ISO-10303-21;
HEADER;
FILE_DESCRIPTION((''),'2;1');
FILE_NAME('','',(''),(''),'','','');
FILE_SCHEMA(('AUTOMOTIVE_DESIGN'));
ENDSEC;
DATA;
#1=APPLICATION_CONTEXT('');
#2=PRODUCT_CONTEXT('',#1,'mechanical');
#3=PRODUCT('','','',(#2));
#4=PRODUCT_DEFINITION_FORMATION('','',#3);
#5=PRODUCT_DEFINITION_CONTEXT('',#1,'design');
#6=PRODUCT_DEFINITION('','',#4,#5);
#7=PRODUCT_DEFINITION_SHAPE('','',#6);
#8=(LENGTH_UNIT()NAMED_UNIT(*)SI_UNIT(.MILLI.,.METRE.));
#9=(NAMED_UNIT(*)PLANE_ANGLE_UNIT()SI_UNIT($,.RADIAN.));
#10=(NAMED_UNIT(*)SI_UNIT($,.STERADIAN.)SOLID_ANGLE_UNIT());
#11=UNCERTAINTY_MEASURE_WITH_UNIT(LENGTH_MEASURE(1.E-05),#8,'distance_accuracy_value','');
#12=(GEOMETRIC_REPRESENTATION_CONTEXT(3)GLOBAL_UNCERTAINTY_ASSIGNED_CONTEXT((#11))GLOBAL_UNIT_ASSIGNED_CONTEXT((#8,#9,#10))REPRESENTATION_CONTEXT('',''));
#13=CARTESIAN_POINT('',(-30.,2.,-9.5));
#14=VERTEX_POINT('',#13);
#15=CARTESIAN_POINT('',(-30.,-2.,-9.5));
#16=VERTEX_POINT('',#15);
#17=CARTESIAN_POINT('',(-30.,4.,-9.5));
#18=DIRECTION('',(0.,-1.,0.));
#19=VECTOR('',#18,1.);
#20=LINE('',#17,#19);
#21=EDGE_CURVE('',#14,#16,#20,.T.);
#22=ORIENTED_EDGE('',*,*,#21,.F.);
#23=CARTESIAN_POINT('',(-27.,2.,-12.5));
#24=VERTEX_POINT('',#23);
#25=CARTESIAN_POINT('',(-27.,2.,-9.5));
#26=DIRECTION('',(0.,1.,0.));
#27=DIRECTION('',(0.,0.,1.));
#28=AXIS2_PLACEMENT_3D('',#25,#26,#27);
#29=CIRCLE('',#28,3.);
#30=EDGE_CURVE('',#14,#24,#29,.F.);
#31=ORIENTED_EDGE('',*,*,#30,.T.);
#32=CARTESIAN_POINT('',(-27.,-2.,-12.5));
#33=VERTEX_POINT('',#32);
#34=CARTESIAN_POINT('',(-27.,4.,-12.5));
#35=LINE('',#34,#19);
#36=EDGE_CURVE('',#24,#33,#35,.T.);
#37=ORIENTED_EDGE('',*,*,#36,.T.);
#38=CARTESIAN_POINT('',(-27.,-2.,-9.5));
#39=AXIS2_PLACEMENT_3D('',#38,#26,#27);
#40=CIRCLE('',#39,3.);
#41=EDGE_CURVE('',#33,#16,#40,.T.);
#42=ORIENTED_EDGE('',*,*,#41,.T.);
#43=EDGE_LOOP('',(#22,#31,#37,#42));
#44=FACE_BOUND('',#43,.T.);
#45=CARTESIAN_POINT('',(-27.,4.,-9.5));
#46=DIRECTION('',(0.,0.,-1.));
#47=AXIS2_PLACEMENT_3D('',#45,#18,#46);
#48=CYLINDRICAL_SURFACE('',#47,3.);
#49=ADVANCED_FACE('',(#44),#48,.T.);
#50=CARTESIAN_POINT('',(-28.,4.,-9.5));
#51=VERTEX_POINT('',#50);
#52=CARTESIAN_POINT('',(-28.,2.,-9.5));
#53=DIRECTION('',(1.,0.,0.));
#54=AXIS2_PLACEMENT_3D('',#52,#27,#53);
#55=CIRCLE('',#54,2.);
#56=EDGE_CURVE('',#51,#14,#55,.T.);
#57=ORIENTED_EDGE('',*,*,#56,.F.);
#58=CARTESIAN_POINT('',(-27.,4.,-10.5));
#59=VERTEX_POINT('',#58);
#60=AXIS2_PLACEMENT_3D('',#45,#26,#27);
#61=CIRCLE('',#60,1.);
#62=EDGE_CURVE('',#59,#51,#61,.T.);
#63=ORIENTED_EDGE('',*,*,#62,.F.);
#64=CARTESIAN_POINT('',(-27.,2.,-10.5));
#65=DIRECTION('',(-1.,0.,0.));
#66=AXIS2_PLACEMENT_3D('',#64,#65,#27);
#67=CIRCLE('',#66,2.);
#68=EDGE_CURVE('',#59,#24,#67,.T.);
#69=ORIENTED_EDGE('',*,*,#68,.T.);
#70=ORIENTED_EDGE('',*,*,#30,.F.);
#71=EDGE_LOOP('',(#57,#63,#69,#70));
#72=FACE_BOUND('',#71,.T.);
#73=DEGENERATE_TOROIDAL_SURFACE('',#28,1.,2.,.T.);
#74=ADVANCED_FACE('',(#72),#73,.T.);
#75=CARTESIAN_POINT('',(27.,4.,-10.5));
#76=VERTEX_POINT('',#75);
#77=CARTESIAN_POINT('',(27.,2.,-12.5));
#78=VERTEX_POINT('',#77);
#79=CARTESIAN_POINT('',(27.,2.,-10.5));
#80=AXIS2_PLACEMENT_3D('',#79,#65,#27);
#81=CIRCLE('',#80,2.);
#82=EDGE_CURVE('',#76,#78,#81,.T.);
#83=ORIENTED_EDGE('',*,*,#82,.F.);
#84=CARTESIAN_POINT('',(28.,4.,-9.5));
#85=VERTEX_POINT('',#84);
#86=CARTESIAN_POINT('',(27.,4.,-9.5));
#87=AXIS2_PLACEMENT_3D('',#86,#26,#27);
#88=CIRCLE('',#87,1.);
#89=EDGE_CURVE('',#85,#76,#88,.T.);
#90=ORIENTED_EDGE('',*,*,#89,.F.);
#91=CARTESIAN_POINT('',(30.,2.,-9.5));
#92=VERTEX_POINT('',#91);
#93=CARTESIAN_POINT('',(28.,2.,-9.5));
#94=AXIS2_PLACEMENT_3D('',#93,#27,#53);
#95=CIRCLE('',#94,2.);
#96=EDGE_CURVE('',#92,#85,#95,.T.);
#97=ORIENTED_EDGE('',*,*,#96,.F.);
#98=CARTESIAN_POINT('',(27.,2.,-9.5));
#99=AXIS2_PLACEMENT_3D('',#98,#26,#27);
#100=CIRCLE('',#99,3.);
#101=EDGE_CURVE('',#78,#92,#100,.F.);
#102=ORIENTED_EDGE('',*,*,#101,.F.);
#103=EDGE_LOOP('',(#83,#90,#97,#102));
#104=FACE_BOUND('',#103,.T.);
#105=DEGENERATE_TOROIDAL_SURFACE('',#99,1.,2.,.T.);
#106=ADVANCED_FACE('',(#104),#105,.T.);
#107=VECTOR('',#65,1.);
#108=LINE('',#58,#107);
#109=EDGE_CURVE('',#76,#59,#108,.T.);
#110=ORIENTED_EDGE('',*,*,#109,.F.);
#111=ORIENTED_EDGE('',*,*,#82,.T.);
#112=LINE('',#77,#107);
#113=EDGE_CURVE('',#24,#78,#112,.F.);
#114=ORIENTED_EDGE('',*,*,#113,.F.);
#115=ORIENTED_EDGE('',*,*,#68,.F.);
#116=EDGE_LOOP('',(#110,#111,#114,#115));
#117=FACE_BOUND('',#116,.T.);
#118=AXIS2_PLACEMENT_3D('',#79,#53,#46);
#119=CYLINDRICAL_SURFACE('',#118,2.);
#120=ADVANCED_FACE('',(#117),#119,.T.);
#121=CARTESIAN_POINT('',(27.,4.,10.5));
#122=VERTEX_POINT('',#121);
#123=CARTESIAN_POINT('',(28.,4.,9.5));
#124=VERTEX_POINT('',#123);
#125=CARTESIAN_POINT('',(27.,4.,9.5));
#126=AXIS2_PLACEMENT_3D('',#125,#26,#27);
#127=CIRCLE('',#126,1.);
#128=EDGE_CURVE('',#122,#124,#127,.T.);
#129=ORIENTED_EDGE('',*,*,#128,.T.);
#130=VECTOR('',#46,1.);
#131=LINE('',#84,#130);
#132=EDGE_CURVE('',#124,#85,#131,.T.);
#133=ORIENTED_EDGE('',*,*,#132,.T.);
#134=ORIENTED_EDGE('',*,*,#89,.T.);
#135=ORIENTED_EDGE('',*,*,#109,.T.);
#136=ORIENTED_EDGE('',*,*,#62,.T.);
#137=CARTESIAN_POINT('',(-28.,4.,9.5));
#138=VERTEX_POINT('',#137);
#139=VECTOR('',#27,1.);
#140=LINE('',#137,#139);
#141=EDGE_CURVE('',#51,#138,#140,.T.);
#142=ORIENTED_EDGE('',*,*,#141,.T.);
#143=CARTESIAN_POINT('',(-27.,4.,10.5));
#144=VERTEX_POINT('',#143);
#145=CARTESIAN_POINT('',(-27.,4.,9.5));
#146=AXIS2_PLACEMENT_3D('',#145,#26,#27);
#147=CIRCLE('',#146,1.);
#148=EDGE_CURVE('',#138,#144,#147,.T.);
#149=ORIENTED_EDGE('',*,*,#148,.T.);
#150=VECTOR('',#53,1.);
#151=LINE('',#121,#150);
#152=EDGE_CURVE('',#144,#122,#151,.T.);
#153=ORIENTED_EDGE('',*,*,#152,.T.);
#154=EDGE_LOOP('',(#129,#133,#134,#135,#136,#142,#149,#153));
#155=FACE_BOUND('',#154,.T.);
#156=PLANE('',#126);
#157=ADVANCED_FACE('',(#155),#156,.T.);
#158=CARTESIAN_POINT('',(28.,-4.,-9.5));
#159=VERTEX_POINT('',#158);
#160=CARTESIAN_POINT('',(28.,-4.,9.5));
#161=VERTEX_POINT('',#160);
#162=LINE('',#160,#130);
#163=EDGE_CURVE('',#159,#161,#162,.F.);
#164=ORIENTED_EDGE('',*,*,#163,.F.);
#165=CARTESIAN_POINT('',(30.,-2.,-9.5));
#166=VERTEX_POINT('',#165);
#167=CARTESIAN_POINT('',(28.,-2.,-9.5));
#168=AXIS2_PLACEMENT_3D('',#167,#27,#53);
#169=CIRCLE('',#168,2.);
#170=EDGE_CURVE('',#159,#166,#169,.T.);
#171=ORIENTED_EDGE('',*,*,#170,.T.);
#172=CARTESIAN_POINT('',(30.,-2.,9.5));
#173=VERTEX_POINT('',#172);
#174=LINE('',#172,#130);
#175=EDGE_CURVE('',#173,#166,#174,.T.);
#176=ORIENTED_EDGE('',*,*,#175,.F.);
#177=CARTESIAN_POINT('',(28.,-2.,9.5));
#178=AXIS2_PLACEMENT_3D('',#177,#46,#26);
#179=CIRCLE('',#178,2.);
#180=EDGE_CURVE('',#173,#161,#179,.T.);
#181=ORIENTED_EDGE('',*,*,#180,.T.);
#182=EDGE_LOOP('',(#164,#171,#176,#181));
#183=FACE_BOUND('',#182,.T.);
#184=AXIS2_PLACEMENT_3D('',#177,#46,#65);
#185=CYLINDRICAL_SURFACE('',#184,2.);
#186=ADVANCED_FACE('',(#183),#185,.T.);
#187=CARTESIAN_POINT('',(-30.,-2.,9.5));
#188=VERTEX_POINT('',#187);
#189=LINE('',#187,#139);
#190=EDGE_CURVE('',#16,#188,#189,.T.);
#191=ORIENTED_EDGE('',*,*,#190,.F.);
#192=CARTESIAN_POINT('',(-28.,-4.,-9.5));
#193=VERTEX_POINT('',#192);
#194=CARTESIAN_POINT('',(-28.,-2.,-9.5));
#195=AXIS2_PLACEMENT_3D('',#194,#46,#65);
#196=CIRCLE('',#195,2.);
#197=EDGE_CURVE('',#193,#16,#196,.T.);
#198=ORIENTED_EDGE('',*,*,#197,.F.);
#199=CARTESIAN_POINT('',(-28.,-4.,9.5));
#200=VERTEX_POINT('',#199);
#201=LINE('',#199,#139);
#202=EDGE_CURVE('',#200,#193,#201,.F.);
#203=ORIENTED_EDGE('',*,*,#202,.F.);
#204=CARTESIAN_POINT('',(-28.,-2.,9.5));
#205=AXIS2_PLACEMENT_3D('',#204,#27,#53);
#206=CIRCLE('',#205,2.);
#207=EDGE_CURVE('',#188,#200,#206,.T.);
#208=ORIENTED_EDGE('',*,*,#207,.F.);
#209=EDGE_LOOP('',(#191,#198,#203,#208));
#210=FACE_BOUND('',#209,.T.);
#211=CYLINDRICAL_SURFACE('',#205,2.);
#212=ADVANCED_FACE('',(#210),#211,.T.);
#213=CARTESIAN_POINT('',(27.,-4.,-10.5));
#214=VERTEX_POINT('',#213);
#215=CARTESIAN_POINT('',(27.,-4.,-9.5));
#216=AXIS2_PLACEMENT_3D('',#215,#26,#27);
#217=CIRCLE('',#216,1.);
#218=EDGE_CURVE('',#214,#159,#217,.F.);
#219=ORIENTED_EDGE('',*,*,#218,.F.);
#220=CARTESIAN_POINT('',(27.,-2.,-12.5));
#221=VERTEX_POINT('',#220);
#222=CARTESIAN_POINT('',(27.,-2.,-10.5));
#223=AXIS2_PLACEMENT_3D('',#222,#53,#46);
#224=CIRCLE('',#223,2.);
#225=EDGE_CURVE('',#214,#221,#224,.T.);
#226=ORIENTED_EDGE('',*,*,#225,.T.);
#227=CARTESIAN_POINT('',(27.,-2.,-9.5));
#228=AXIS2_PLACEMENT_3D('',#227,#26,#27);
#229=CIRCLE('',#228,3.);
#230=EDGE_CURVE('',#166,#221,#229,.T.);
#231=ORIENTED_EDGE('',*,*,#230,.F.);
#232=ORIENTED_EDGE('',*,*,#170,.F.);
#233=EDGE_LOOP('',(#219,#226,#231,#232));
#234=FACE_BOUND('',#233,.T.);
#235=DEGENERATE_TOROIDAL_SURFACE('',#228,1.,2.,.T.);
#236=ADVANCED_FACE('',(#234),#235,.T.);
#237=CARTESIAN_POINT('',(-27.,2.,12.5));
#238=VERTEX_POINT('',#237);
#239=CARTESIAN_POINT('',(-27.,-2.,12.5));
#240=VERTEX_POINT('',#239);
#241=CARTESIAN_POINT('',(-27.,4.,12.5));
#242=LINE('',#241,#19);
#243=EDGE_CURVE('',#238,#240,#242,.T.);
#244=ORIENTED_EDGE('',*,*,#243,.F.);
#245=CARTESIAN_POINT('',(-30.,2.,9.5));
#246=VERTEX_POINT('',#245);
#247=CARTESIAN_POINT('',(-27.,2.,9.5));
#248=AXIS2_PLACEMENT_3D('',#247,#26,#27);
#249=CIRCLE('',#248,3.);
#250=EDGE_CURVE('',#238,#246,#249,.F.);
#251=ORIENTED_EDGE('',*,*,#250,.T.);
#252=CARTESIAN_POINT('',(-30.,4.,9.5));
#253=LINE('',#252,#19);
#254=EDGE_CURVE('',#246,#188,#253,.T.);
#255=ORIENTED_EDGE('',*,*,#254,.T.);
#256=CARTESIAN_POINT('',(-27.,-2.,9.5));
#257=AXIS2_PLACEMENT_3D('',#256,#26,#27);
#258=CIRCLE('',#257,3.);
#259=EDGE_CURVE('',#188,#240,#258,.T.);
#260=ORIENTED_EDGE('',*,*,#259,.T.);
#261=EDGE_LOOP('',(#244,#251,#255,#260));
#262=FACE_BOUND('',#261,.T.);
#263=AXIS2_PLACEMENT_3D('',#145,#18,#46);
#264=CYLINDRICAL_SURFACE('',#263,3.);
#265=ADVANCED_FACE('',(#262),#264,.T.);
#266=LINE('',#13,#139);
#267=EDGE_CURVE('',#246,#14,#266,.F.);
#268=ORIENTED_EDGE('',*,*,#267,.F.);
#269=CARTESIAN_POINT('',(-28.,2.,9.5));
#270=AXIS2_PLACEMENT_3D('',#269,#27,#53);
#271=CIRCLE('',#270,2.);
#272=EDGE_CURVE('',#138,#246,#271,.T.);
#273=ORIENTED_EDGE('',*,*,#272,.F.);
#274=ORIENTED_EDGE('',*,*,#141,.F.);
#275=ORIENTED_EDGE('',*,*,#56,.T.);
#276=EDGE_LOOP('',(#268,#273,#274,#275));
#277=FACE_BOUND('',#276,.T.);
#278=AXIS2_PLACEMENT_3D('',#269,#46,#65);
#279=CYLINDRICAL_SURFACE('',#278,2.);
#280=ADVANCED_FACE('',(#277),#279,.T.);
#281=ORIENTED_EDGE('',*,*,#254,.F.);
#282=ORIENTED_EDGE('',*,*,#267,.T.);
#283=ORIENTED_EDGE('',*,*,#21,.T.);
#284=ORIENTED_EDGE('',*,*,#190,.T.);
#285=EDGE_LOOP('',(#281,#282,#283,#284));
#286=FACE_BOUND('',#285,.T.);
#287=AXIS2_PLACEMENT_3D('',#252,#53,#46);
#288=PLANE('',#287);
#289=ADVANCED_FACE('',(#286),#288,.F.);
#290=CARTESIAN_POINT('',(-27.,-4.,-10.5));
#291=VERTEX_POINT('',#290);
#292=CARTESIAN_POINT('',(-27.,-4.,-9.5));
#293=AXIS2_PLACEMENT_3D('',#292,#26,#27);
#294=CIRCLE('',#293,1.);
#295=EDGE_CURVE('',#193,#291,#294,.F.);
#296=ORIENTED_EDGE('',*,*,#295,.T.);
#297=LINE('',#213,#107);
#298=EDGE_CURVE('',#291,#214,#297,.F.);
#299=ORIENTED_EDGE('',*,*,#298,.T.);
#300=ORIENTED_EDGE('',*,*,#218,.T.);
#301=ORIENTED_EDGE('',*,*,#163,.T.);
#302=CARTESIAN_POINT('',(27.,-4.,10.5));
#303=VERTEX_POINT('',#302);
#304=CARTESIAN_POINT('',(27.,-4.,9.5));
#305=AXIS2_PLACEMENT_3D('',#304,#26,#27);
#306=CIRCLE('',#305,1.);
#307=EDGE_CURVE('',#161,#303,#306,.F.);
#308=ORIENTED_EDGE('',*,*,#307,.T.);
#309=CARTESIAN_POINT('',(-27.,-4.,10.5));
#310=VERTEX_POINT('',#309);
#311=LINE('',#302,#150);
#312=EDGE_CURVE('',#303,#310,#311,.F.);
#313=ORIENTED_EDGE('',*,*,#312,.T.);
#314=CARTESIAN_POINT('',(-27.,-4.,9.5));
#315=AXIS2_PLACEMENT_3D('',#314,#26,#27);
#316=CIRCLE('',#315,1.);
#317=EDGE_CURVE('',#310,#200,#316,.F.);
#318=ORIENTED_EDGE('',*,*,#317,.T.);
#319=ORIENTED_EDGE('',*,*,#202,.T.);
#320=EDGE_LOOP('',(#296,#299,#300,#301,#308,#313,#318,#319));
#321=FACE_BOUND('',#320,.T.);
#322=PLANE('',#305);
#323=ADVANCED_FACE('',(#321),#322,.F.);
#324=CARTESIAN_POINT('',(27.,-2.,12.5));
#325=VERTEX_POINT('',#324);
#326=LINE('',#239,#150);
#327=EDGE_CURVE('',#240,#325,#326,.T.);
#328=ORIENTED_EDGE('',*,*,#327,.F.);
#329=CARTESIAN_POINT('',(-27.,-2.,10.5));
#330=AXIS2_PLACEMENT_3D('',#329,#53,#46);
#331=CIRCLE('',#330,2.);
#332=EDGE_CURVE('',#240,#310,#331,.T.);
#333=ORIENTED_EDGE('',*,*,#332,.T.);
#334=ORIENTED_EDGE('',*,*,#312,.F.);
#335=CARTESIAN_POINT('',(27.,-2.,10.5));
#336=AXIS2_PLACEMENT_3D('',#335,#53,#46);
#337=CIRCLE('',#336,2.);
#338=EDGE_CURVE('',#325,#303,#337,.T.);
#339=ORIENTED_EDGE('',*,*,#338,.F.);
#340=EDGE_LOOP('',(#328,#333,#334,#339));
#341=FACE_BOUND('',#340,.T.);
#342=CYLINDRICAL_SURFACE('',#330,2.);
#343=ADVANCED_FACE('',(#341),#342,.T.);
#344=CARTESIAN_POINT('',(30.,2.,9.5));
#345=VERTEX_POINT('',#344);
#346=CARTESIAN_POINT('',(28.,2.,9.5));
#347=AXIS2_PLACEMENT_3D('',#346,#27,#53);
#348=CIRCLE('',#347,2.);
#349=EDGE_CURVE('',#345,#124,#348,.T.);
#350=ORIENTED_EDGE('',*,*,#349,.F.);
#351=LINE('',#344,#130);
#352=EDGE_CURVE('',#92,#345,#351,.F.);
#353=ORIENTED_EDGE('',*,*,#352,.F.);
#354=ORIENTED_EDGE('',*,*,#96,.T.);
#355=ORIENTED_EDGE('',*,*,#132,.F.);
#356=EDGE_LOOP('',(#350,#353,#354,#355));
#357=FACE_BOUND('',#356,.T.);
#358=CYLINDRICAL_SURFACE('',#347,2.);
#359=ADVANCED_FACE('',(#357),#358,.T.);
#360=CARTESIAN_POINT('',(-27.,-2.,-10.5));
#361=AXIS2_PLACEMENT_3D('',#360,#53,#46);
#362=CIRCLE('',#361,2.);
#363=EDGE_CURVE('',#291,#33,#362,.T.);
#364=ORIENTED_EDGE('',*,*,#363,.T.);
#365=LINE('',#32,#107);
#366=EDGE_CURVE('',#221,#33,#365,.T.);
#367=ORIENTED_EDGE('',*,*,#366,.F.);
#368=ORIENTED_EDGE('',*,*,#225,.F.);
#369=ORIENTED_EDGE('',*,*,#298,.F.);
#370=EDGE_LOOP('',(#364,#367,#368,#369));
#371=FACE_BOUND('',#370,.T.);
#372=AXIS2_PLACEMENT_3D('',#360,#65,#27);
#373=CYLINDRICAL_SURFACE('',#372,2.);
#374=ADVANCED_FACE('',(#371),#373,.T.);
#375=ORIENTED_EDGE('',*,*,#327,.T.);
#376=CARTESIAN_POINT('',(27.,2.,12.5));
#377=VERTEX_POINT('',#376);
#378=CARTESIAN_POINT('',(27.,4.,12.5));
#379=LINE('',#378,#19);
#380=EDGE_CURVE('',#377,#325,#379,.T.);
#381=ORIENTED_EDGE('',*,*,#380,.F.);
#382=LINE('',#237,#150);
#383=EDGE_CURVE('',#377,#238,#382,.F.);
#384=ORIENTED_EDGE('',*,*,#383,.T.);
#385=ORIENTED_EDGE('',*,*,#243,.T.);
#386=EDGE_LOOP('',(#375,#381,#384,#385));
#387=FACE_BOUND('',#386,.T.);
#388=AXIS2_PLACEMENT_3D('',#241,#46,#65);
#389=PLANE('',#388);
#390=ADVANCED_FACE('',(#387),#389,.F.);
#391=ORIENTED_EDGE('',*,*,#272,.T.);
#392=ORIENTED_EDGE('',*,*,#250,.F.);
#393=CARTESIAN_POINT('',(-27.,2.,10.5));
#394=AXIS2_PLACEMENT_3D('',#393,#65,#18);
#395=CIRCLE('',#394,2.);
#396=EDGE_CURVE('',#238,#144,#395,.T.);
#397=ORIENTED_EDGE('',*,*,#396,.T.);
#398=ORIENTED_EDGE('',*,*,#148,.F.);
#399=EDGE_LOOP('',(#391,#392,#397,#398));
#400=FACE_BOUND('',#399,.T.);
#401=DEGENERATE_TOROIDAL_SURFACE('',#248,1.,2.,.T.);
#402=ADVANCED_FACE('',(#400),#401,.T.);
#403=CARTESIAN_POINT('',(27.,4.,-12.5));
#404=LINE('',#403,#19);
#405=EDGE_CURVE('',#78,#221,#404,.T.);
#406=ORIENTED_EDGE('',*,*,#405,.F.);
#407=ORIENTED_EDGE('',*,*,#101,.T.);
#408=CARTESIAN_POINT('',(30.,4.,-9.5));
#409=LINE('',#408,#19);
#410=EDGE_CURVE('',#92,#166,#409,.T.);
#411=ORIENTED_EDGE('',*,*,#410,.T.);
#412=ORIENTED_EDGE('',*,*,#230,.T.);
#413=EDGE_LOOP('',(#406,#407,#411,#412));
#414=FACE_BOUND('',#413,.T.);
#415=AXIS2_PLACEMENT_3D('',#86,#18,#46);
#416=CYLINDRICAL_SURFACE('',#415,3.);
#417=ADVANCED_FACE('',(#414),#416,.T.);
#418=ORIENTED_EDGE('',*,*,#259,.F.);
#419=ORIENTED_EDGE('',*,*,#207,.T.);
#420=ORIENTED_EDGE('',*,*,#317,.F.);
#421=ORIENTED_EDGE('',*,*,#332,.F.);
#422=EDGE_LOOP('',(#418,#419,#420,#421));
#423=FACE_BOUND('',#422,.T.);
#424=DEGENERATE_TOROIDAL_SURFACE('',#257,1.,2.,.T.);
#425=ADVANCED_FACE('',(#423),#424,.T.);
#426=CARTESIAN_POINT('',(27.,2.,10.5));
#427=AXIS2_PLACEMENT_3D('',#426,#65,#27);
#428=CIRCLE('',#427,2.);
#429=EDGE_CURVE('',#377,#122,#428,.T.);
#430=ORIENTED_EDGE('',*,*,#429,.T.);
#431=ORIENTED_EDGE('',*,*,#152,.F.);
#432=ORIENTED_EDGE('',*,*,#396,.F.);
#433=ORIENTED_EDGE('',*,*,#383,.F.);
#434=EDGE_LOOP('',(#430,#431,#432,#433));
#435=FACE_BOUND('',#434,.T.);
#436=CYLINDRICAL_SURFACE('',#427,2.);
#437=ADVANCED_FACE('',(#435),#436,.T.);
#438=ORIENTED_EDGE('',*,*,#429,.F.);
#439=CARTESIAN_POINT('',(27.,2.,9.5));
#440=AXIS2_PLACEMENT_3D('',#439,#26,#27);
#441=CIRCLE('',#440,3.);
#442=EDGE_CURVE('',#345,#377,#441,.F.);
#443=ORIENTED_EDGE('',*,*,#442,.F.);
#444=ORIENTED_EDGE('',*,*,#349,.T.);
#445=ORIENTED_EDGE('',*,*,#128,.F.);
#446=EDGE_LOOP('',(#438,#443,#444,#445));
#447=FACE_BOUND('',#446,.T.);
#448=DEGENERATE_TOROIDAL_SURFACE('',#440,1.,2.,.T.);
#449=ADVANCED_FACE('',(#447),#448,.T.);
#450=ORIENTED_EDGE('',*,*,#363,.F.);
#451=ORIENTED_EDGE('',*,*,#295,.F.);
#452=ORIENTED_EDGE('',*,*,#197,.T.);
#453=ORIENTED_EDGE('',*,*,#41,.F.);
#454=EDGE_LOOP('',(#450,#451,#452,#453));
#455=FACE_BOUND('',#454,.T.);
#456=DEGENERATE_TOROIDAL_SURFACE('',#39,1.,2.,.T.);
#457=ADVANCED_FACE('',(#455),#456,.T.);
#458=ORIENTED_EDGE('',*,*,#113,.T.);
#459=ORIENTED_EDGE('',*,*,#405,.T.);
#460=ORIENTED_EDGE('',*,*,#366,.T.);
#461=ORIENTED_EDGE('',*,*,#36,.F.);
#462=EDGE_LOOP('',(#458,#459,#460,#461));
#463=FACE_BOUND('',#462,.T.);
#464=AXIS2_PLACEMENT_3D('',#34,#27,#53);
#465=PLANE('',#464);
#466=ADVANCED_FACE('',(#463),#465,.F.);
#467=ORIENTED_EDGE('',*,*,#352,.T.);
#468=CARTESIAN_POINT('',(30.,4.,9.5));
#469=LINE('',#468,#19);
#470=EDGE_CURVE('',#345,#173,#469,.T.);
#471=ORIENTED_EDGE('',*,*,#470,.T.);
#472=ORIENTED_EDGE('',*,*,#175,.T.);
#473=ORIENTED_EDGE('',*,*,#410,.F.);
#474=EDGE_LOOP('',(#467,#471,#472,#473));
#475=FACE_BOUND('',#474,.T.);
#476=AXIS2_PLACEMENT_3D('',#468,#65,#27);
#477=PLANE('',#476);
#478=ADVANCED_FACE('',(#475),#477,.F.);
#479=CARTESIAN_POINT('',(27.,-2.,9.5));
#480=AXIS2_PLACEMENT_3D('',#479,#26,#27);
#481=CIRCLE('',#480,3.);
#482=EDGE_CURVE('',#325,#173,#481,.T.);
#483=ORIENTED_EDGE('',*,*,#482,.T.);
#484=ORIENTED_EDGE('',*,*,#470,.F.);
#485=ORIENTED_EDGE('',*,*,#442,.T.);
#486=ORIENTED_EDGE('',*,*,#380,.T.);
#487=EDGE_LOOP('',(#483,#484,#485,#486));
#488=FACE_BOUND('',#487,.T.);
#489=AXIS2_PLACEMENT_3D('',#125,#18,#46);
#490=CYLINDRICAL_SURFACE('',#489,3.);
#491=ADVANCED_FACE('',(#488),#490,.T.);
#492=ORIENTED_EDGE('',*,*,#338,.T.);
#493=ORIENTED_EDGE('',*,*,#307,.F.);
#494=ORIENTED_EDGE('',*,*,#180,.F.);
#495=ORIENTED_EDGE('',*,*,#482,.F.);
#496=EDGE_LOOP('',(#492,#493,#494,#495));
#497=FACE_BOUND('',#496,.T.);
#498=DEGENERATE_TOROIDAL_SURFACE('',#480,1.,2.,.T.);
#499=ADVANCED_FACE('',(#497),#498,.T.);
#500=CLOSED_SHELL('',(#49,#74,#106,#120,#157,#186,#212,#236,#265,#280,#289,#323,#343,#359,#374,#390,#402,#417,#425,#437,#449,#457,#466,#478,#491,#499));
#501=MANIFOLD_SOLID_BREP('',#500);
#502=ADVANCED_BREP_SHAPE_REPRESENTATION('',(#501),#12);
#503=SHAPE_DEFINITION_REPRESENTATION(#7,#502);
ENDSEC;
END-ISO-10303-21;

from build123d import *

# Parameters (mm, degrees)
EXTRUDE_1_DEPTH = 4
FILLET_1_R      = 2


with BuildPart() as part:
    # 草图1 → 凸台-拉伸1 (new, symmetric)
    with BuildSketch(Plane(origin=(0, 0, 0), x_dir=(1, 0, 0), z_dir=(0, 1, 0))):
        with BuildLine():
            Line((-27, -12.5), (27, -12.5))
            ThreePointArc((27, -12.5), (29.121320344, -11.621320344), (30, -9.5))
            Line((30, -9.5), (30, 9.5))
            ThreePointArc((30, 9.5), (29.121320344, 11.621320344), (27, 12.5))
            Line((27, 12.5), (-27, 12.5))
            ThreePointArc((-27, 12.5), (-29.121320344, 11.621320344), (-30, 9.5))
            Line((-30, 9.5), (-30, -9.5))
            ThreePointArc((-30, -9.5), (-29.121320344, -11.621320344), (-27, -12.5))
        make_face()
    extrude(amount=EXTRUDE_1_DEPTH, both=True)

    # 圆角1
    fillet_1_edges = [part.edges().sort_by_distance(p)[0] for p in [
        (0, -4, -12.5),
        (29.121320344, -4, -11.621320344),
        (30, -4, 0),
        (29.121320344, -4, 11.621320344),
        (29.121320344, 4, -11.621320344),
        (0, 4, -12.5),
        (-29.121320344, 4, -11.621320344),
        (-30, 4, 0),
        (-29.121320344, 4, 11.621320344),
        (0, 4, 12.5),
        (29.121320344, 4, 11.621320344),
        (0, -4, 12.5),
        (30, 4, 0),
        (-29.121320344, -4, 11.621320344),
        (-30, -4, 0),
        (-29.121320344, -4, -11.621320344),
    ]]
    fillet(fillet_1_edges, radius=FILLET_1_R)


solid = part.part
